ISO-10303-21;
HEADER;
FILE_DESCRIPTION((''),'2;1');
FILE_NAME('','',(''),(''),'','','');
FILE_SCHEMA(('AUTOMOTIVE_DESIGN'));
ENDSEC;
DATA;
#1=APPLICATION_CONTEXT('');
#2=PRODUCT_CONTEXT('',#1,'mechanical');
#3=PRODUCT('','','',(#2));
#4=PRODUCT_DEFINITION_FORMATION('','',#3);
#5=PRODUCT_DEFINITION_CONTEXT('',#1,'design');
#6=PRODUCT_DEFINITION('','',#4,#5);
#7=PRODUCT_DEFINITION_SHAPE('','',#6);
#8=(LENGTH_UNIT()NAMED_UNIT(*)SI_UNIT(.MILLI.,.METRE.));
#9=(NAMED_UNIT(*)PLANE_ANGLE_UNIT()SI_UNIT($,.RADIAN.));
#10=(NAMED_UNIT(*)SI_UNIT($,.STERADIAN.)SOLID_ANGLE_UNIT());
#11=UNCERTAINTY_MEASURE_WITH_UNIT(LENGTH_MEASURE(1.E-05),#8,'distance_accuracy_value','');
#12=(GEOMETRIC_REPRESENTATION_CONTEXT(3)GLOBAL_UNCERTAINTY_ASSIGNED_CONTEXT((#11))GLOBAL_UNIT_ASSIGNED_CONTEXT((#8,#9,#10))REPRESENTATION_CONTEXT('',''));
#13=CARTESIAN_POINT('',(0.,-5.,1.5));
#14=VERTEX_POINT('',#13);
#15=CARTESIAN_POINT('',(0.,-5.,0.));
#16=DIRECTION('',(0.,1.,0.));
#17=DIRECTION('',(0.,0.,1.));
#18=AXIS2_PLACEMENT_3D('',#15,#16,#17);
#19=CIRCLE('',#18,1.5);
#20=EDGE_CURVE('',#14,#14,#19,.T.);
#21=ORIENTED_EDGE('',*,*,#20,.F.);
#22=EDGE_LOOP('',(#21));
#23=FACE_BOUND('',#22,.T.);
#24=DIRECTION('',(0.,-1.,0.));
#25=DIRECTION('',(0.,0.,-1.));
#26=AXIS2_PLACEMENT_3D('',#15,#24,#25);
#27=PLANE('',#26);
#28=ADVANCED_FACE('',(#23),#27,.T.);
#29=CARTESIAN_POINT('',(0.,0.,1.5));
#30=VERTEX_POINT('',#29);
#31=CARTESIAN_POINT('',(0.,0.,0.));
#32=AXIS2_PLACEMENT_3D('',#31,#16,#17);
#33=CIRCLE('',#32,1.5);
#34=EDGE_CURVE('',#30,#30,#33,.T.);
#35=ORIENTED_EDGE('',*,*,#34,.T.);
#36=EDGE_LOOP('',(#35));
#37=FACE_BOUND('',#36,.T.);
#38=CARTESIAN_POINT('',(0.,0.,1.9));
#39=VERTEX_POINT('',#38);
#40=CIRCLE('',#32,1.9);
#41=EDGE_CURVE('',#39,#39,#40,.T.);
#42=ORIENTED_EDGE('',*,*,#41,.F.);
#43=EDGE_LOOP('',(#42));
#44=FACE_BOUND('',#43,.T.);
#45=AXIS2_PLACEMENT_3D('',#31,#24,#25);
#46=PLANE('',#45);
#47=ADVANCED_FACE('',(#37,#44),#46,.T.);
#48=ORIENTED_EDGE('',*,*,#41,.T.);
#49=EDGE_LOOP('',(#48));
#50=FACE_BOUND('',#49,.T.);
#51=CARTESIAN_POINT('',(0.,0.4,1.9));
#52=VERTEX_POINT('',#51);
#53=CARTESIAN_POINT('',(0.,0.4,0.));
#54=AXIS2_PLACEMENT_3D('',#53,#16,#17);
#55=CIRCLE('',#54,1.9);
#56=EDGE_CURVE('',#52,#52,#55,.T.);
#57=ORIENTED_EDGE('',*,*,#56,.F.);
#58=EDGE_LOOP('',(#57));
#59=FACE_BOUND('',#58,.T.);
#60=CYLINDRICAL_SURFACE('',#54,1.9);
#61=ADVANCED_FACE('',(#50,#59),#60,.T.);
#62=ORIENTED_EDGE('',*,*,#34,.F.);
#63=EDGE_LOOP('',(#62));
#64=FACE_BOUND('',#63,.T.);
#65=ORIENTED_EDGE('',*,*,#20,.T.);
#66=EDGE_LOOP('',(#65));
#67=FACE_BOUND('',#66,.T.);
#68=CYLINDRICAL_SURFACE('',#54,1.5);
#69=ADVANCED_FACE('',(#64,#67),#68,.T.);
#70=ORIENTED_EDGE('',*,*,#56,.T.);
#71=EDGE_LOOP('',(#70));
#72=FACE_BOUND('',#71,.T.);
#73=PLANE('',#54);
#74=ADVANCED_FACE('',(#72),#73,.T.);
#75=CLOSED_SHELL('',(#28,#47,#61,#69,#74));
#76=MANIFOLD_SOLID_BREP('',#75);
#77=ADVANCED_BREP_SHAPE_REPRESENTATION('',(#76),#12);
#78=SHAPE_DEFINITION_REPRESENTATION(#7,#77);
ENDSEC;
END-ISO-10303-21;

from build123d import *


with BuildPart() as part:
    # Sketch1 → Revolve1 (revolve)
    with BuildSketch(Plane(origin=(0, 0, 0), x_dir=(0, 0, -1), z_dir=(1, 0, 0))):
        Polygon((0, 0.4), (0, -5), (-1.5, -5), (-1.5, 0), (-1.9, 0), (-1.9, 0.4), align=None)
    revolve(axis=Axis((0, 0.4, 0), (0, -1, 0)))


solid = part.part
